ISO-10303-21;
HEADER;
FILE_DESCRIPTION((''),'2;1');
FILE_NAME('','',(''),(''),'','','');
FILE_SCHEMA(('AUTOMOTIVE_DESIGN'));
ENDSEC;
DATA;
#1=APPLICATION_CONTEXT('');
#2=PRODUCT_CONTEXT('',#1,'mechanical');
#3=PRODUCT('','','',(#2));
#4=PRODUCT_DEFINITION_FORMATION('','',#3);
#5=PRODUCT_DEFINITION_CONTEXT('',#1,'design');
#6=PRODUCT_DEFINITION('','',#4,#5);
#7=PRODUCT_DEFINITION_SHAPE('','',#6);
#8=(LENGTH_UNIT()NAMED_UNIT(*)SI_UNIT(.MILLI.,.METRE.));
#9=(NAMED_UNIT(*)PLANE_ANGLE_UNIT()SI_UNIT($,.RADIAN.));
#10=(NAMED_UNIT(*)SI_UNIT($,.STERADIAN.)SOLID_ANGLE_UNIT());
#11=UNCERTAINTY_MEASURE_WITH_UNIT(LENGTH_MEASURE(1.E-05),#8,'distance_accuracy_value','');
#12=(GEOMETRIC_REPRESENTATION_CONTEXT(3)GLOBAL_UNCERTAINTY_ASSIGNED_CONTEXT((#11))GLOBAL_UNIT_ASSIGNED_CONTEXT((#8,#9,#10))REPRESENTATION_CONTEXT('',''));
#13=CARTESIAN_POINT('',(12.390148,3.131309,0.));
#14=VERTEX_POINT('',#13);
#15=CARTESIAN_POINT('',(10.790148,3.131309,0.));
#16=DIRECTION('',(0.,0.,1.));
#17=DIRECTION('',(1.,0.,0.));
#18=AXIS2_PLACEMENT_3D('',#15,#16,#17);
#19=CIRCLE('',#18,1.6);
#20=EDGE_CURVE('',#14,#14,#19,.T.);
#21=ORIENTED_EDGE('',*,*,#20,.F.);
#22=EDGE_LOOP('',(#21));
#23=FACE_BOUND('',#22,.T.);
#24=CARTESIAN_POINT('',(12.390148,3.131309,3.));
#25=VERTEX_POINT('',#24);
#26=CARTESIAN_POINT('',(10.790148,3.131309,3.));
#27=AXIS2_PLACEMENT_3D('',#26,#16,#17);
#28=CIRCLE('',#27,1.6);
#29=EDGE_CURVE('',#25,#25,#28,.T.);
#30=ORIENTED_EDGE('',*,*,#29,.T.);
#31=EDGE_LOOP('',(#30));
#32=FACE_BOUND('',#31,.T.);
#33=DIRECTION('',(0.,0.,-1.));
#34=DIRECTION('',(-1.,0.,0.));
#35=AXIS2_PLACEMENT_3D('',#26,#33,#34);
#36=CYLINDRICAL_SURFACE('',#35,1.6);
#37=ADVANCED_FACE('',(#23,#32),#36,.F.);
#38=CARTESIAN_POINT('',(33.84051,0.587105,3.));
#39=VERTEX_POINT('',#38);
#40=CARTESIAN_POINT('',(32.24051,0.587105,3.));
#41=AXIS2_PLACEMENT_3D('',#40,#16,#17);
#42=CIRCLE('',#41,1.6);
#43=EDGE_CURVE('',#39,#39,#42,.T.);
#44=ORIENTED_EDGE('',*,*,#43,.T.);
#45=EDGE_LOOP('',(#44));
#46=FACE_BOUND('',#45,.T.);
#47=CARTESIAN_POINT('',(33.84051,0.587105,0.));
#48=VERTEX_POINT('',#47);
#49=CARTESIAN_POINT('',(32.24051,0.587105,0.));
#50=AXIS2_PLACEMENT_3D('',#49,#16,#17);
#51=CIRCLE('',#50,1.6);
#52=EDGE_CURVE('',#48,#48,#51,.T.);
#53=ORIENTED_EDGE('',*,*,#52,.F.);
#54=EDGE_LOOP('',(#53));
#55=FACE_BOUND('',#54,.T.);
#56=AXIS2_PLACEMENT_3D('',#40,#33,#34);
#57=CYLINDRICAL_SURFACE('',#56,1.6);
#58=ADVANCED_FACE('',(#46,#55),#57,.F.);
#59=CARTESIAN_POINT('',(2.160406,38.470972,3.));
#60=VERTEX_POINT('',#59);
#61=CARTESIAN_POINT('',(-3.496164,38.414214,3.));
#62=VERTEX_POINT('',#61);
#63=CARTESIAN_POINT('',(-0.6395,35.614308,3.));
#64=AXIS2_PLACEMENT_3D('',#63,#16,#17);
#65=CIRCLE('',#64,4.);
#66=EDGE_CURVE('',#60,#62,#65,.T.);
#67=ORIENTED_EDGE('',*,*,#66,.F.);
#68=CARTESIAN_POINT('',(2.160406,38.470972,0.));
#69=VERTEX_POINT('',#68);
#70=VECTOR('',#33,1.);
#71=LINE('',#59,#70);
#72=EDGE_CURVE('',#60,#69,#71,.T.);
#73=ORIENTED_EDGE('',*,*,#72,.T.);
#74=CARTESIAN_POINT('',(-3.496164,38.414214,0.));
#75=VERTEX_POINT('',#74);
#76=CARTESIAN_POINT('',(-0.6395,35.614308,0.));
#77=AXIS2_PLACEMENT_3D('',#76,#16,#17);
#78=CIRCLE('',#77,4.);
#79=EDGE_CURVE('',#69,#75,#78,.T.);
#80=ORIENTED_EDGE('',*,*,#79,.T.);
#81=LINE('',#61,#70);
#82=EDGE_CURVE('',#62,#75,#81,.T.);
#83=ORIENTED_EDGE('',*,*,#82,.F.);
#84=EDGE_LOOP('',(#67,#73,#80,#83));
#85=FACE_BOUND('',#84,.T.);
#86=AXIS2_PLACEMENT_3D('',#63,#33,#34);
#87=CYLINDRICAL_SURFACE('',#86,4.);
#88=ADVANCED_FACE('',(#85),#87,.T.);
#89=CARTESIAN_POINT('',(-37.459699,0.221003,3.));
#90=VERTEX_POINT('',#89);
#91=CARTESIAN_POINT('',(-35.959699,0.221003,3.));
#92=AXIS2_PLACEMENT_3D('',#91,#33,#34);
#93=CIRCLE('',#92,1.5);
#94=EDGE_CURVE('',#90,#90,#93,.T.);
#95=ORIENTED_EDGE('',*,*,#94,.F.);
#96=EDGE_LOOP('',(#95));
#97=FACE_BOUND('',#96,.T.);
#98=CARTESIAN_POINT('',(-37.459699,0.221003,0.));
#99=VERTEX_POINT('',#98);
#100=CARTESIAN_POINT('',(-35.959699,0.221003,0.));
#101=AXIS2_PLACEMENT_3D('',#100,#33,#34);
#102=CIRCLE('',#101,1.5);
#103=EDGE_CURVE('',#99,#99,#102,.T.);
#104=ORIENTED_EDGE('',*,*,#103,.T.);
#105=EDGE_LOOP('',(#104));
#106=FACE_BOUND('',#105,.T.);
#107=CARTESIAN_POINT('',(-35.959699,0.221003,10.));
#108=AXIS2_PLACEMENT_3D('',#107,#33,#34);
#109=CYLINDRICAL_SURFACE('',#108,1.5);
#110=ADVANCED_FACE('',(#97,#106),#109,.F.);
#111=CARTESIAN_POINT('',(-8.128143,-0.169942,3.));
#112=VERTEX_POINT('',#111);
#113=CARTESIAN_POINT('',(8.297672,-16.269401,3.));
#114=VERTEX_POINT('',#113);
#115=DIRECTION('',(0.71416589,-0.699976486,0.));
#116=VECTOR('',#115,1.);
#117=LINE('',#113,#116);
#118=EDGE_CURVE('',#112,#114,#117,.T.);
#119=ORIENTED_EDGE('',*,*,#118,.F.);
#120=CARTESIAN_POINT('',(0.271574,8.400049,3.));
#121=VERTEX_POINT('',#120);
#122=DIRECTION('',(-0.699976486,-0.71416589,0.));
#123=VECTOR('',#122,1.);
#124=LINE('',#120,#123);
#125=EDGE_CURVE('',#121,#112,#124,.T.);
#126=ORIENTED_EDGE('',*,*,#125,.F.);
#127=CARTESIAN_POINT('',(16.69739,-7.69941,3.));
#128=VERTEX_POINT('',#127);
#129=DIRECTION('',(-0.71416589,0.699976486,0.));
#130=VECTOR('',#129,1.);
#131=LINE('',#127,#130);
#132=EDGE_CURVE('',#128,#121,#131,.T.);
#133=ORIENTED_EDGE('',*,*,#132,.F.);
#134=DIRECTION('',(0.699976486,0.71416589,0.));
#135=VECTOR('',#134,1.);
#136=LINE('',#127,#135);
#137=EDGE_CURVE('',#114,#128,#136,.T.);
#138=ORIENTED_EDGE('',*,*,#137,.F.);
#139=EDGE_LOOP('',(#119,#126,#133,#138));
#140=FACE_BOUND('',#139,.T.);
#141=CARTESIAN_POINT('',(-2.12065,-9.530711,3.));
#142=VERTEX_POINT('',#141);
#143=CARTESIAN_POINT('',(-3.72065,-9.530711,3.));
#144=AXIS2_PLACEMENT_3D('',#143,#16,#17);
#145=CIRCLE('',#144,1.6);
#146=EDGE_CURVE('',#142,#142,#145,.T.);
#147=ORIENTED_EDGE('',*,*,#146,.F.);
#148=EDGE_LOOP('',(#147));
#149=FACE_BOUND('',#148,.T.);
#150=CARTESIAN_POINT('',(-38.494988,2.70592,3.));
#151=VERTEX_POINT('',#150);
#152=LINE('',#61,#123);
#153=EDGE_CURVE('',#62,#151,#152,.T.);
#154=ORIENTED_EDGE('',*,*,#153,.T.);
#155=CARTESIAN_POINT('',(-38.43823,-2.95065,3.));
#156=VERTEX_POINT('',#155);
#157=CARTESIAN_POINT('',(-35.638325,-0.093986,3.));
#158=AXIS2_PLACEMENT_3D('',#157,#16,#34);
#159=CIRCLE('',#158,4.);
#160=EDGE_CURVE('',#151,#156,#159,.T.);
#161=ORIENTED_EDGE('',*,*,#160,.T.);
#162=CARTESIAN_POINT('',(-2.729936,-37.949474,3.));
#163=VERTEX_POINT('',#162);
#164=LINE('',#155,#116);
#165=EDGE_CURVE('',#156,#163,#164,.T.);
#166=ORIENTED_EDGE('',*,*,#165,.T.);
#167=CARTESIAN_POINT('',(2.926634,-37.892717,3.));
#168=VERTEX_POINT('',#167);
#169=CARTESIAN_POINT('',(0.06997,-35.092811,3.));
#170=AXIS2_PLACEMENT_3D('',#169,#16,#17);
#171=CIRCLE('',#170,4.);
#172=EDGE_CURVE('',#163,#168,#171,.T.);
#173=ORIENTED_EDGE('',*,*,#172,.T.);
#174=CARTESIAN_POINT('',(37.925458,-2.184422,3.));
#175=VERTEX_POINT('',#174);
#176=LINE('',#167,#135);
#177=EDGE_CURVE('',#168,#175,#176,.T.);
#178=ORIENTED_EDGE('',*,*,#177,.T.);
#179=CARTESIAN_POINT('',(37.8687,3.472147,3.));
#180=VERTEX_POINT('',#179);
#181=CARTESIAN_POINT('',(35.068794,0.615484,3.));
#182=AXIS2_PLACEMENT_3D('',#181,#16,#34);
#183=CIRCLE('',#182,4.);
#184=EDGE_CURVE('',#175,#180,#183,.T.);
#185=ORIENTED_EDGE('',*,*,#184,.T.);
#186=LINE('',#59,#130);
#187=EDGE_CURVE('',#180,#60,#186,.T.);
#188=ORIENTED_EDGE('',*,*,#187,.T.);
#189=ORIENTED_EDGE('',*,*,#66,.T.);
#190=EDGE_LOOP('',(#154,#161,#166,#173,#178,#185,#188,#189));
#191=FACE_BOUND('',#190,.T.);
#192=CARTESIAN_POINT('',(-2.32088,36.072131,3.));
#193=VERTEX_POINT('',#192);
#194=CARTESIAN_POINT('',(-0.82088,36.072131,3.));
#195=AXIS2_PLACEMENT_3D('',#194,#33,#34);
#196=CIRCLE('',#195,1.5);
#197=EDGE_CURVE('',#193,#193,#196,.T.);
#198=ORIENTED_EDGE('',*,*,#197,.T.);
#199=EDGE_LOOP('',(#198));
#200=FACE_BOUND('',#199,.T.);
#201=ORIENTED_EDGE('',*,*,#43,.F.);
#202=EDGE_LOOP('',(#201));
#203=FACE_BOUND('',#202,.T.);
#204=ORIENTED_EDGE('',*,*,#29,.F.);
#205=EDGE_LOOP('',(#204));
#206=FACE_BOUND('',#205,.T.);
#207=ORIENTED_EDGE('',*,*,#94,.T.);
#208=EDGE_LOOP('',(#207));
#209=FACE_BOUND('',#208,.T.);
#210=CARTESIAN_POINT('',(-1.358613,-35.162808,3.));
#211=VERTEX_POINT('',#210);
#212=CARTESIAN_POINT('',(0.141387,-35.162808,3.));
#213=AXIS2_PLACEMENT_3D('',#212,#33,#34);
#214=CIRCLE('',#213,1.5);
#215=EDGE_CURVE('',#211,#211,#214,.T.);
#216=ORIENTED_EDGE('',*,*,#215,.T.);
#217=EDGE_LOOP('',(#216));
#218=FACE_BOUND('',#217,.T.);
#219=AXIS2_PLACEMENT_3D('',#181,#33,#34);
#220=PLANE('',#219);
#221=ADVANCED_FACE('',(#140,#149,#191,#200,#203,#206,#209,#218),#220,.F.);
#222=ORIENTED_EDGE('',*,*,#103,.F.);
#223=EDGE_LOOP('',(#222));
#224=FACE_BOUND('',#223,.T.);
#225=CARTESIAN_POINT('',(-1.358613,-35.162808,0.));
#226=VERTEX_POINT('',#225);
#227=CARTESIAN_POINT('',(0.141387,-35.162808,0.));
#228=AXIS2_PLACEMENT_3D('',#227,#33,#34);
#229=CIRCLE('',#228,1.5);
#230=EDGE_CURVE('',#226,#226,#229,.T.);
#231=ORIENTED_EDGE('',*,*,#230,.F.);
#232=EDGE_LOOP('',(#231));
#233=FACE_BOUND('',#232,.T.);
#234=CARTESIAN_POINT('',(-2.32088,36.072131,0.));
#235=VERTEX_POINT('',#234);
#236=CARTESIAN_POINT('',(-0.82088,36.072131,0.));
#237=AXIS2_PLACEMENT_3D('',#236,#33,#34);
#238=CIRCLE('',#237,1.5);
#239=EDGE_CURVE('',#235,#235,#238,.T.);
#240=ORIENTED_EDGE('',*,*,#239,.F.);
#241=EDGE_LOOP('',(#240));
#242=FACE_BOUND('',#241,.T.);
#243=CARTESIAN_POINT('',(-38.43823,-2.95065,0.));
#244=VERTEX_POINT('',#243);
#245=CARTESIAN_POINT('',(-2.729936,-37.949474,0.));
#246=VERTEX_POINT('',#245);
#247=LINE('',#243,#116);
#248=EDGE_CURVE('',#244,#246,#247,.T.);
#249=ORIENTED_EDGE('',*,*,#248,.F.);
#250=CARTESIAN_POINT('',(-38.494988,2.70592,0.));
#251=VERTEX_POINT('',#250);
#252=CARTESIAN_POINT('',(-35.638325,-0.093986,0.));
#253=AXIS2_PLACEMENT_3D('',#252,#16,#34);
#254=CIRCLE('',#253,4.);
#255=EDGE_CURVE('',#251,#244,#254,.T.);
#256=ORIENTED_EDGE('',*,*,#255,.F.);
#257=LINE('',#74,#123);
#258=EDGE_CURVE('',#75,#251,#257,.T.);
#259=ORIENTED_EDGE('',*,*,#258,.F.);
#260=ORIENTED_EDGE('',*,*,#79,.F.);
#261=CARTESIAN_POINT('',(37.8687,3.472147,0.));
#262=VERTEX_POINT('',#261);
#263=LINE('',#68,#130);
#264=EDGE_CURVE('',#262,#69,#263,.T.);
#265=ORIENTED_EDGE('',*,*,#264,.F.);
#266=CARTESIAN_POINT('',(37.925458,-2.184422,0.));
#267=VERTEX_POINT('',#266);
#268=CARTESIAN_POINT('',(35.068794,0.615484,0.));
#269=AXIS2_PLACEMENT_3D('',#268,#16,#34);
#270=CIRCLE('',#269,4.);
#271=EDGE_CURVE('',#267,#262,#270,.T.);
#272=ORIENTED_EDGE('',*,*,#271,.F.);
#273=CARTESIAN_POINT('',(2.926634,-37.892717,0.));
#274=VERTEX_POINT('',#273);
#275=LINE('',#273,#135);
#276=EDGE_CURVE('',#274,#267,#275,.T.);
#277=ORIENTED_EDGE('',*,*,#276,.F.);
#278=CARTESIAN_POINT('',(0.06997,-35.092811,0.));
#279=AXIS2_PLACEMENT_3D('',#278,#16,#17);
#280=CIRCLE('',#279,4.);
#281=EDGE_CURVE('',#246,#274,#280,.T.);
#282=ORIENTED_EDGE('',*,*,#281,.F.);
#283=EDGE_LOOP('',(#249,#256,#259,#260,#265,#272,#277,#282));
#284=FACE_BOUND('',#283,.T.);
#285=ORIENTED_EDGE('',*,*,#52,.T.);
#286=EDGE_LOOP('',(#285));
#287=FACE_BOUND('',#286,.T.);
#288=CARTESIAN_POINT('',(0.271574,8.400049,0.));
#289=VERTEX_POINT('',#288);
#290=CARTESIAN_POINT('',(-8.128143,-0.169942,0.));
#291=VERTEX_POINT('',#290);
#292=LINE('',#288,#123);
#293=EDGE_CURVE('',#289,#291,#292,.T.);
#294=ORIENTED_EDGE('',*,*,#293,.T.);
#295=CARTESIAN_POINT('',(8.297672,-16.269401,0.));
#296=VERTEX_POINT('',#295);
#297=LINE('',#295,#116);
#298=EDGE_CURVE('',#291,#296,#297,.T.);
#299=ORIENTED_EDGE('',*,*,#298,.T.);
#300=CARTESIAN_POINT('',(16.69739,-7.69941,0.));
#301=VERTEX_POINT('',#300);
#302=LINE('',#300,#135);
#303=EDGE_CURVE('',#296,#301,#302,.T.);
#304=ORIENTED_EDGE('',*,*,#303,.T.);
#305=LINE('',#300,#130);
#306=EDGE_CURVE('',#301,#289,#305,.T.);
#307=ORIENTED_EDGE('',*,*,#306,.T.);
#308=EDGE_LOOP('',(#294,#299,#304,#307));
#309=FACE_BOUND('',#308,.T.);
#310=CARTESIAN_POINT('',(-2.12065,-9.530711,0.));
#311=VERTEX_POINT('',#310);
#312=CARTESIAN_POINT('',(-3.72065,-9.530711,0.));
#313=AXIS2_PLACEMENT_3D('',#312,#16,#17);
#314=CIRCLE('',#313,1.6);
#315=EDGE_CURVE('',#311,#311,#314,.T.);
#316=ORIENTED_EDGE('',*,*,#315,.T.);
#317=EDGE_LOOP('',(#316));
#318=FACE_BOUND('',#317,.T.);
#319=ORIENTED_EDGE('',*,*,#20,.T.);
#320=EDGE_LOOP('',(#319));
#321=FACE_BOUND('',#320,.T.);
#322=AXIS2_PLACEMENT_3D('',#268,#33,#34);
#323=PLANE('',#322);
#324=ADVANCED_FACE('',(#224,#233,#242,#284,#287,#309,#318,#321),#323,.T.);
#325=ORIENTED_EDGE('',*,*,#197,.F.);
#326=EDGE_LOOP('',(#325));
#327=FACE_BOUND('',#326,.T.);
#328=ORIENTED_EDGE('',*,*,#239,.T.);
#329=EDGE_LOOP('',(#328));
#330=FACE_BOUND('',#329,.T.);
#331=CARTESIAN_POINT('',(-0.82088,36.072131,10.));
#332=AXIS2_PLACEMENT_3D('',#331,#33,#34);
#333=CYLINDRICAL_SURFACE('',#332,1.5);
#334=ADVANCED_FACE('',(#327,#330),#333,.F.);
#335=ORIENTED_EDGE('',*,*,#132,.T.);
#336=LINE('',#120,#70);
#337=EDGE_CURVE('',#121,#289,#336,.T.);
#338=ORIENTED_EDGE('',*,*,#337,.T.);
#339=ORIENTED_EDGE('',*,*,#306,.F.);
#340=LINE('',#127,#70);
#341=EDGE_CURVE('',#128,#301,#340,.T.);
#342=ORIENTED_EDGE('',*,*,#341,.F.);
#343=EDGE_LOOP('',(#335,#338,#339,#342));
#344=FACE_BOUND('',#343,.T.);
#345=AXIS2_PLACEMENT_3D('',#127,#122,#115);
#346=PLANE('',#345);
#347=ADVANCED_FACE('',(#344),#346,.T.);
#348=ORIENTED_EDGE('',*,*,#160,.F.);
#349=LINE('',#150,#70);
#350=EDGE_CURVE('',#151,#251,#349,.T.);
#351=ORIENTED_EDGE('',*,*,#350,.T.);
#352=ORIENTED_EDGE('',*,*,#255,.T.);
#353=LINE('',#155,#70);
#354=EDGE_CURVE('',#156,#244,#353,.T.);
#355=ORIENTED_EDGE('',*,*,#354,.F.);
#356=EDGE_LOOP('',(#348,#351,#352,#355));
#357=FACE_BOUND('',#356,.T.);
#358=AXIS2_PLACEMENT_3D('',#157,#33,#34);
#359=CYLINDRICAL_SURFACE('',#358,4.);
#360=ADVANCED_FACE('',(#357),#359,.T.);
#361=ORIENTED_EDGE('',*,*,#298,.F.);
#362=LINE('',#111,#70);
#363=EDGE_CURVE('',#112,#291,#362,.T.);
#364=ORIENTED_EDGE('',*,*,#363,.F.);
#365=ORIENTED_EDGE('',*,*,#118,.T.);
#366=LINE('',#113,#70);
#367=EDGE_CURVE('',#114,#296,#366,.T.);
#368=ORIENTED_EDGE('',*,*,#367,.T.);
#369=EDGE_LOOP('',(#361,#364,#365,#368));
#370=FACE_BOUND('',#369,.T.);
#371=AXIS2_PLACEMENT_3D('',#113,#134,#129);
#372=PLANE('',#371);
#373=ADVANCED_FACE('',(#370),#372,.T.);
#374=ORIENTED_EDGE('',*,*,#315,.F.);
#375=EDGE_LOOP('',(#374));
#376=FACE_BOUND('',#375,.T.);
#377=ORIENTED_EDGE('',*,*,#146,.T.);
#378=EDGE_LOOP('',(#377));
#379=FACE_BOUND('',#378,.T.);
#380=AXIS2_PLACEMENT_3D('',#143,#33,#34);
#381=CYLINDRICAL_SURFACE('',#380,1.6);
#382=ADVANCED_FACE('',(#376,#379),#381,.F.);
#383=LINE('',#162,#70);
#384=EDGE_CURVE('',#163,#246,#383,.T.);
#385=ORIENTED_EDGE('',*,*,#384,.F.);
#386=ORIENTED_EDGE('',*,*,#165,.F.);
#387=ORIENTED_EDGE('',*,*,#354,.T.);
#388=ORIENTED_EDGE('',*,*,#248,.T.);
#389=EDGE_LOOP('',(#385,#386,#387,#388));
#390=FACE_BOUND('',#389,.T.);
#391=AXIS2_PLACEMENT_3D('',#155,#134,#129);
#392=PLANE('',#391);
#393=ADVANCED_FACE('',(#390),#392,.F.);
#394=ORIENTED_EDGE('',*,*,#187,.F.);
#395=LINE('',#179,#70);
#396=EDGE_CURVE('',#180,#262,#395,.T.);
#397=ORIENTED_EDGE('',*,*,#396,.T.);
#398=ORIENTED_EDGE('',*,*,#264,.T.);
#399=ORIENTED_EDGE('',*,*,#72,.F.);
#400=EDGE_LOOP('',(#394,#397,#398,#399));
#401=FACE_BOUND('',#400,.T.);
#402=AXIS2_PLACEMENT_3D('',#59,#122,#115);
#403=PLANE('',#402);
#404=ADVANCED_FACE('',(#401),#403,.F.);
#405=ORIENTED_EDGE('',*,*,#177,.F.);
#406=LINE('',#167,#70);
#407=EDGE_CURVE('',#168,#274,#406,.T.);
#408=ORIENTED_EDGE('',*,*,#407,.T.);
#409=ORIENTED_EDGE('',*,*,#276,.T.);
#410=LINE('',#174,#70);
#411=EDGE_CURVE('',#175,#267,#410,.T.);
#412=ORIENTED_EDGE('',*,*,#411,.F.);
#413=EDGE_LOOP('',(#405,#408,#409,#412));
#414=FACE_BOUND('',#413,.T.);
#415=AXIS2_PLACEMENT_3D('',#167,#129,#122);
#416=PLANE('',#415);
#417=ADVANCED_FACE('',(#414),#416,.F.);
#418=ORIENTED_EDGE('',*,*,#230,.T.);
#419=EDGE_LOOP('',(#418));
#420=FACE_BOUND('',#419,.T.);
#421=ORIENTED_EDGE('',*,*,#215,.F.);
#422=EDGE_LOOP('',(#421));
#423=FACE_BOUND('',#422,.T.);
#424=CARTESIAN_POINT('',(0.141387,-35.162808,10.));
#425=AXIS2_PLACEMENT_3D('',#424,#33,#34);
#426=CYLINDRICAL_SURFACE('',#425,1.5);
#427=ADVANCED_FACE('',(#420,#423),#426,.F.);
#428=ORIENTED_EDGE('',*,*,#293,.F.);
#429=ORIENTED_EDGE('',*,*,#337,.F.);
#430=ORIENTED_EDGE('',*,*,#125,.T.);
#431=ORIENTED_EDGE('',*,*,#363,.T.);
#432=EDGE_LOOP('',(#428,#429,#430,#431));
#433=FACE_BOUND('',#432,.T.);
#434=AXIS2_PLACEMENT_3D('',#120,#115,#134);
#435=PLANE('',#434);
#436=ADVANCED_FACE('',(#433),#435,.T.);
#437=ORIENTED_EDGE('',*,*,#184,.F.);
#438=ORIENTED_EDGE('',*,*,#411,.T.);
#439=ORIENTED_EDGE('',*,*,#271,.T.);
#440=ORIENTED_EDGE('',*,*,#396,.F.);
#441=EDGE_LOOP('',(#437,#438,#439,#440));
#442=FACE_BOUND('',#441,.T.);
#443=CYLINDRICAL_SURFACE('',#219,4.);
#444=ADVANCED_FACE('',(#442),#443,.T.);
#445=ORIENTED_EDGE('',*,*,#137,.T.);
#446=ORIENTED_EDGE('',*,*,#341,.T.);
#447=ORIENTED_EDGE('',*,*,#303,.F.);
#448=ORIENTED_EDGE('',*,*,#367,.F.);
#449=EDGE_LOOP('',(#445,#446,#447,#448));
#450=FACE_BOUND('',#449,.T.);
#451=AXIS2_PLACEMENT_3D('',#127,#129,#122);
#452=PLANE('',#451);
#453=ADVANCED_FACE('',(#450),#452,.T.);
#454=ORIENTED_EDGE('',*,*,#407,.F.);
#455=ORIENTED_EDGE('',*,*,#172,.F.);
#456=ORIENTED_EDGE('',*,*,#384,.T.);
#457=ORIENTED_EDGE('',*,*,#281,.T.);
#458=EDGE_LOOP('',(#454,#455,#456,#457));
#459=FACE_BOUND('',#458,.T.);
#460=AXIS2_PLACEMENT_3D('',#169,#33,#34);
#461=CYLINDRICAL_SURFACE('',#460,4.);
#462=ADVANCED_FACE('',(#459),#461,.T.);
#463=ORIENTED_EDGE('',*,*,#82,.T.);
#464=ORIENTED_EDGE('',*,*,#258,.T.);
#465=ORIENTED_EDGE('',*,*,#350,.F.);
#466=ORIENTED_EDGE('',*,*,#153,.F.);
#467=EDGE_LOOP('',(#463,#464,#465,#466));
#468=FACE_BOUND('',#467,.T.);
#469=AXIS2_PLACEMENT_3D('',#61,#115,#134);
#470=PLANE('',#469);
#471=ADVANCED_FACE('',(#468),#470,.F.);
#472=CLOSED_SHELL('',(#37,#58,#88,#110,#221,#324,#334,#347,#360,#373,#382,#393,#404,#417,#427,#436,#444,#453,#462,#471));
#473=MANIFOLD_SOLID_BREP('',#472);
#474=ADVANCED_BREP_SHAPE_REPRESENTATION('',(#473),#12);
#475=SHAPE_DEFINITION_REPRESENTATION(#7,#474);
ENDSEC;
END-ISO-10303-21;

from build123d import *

# Parameters (mm, degrees)
ESQUISSE1_R             = 1.6
BOSS_EXTRU_1_DEPTH      = 3
ESQUISSE2_R             = 1.5
ENL_V_MAT_EXTRU_1_DEPTH = 10


with BuildPart() as part:
    # Esquisse1 → Boss.-Extru.1 (new body)
    with BuildSketch(Plane.XY):
        with BuildLine():
            Line((2.16040571, 38.470971764), (37.868700226, 3.47214746))
            ThreePointArc((37.868700226, 3.47214746), (39.068592938, 0.655617594), (37.925457843, -2.184422046))
            Line((37.925457843, -2.184422046), (2.926633539, -37.892716563))
            ThreePointArc((2.926633539, -37.892716563), (0.110103674, -39.092609274), (-2.729935967, -37.94947418))
            Line((-2.729935967, -37.94947418), (-38.438230483, -2.950649875))
            ThreePointArc((-38.438230483, -2.950649875), (-39.638123195, -0.13412001), (-38.4949881, 2.705919631))
            Line((-38.4949881, 2.705919631), (-3.496163796, 38.414214147))
            ThreePointArc((-3.496163796, 38.414214147), (-0.67963393, 39.614106858), (2.16040571, 38.470971764))
        make_face()
        with Locations((10.790147704, 3.13130948)):
            Circle(ESQUISSE1_R, mode=Mode.SUBTRACT)
        with Locations((-3.720649665, -9.530710886)):
            Circle(ESQUISSE1_R, mode=Mode.SUBTRACT)
        with Locations((32.240509529, 0.58710509)):
            Circle(ESQUISSE1_R, mode=Mode.SUBTRACT)
        Polygon((16.69738986, -7.699410262), (8.297672026, -16.269400946), (-8.128143451, -0.169941765), (0.271574382, 8.400048919), align=None, mode=Mode.SUBTRACT)
    extrude(amount=BOSS_EXTRU_1_DEPTH)

    # Esquisse2 → Enlèv. mat.-Extru.1 (cut)
    with BuildSketch(Plane(origin=(0, 0, 0), x_dir=(-1, 0, 0), z_dir=(0, 0, -1))):
        with Locations((0.820879588, 36.0721308)):
            Circle(ESQUISSE2_R)
        with Locations((35.95969919, 0.221003105)):
            Circle(ESQUISSE2_R)
        with Locations((-0.141386567, -35.162808267)):
            Circle(ESQUISSE2_R)
    extrude(amount=-ENL_V_MAT_EXTRU_1_DEPTH, mode=Mode.SUBTRACT)


solid = part.part
